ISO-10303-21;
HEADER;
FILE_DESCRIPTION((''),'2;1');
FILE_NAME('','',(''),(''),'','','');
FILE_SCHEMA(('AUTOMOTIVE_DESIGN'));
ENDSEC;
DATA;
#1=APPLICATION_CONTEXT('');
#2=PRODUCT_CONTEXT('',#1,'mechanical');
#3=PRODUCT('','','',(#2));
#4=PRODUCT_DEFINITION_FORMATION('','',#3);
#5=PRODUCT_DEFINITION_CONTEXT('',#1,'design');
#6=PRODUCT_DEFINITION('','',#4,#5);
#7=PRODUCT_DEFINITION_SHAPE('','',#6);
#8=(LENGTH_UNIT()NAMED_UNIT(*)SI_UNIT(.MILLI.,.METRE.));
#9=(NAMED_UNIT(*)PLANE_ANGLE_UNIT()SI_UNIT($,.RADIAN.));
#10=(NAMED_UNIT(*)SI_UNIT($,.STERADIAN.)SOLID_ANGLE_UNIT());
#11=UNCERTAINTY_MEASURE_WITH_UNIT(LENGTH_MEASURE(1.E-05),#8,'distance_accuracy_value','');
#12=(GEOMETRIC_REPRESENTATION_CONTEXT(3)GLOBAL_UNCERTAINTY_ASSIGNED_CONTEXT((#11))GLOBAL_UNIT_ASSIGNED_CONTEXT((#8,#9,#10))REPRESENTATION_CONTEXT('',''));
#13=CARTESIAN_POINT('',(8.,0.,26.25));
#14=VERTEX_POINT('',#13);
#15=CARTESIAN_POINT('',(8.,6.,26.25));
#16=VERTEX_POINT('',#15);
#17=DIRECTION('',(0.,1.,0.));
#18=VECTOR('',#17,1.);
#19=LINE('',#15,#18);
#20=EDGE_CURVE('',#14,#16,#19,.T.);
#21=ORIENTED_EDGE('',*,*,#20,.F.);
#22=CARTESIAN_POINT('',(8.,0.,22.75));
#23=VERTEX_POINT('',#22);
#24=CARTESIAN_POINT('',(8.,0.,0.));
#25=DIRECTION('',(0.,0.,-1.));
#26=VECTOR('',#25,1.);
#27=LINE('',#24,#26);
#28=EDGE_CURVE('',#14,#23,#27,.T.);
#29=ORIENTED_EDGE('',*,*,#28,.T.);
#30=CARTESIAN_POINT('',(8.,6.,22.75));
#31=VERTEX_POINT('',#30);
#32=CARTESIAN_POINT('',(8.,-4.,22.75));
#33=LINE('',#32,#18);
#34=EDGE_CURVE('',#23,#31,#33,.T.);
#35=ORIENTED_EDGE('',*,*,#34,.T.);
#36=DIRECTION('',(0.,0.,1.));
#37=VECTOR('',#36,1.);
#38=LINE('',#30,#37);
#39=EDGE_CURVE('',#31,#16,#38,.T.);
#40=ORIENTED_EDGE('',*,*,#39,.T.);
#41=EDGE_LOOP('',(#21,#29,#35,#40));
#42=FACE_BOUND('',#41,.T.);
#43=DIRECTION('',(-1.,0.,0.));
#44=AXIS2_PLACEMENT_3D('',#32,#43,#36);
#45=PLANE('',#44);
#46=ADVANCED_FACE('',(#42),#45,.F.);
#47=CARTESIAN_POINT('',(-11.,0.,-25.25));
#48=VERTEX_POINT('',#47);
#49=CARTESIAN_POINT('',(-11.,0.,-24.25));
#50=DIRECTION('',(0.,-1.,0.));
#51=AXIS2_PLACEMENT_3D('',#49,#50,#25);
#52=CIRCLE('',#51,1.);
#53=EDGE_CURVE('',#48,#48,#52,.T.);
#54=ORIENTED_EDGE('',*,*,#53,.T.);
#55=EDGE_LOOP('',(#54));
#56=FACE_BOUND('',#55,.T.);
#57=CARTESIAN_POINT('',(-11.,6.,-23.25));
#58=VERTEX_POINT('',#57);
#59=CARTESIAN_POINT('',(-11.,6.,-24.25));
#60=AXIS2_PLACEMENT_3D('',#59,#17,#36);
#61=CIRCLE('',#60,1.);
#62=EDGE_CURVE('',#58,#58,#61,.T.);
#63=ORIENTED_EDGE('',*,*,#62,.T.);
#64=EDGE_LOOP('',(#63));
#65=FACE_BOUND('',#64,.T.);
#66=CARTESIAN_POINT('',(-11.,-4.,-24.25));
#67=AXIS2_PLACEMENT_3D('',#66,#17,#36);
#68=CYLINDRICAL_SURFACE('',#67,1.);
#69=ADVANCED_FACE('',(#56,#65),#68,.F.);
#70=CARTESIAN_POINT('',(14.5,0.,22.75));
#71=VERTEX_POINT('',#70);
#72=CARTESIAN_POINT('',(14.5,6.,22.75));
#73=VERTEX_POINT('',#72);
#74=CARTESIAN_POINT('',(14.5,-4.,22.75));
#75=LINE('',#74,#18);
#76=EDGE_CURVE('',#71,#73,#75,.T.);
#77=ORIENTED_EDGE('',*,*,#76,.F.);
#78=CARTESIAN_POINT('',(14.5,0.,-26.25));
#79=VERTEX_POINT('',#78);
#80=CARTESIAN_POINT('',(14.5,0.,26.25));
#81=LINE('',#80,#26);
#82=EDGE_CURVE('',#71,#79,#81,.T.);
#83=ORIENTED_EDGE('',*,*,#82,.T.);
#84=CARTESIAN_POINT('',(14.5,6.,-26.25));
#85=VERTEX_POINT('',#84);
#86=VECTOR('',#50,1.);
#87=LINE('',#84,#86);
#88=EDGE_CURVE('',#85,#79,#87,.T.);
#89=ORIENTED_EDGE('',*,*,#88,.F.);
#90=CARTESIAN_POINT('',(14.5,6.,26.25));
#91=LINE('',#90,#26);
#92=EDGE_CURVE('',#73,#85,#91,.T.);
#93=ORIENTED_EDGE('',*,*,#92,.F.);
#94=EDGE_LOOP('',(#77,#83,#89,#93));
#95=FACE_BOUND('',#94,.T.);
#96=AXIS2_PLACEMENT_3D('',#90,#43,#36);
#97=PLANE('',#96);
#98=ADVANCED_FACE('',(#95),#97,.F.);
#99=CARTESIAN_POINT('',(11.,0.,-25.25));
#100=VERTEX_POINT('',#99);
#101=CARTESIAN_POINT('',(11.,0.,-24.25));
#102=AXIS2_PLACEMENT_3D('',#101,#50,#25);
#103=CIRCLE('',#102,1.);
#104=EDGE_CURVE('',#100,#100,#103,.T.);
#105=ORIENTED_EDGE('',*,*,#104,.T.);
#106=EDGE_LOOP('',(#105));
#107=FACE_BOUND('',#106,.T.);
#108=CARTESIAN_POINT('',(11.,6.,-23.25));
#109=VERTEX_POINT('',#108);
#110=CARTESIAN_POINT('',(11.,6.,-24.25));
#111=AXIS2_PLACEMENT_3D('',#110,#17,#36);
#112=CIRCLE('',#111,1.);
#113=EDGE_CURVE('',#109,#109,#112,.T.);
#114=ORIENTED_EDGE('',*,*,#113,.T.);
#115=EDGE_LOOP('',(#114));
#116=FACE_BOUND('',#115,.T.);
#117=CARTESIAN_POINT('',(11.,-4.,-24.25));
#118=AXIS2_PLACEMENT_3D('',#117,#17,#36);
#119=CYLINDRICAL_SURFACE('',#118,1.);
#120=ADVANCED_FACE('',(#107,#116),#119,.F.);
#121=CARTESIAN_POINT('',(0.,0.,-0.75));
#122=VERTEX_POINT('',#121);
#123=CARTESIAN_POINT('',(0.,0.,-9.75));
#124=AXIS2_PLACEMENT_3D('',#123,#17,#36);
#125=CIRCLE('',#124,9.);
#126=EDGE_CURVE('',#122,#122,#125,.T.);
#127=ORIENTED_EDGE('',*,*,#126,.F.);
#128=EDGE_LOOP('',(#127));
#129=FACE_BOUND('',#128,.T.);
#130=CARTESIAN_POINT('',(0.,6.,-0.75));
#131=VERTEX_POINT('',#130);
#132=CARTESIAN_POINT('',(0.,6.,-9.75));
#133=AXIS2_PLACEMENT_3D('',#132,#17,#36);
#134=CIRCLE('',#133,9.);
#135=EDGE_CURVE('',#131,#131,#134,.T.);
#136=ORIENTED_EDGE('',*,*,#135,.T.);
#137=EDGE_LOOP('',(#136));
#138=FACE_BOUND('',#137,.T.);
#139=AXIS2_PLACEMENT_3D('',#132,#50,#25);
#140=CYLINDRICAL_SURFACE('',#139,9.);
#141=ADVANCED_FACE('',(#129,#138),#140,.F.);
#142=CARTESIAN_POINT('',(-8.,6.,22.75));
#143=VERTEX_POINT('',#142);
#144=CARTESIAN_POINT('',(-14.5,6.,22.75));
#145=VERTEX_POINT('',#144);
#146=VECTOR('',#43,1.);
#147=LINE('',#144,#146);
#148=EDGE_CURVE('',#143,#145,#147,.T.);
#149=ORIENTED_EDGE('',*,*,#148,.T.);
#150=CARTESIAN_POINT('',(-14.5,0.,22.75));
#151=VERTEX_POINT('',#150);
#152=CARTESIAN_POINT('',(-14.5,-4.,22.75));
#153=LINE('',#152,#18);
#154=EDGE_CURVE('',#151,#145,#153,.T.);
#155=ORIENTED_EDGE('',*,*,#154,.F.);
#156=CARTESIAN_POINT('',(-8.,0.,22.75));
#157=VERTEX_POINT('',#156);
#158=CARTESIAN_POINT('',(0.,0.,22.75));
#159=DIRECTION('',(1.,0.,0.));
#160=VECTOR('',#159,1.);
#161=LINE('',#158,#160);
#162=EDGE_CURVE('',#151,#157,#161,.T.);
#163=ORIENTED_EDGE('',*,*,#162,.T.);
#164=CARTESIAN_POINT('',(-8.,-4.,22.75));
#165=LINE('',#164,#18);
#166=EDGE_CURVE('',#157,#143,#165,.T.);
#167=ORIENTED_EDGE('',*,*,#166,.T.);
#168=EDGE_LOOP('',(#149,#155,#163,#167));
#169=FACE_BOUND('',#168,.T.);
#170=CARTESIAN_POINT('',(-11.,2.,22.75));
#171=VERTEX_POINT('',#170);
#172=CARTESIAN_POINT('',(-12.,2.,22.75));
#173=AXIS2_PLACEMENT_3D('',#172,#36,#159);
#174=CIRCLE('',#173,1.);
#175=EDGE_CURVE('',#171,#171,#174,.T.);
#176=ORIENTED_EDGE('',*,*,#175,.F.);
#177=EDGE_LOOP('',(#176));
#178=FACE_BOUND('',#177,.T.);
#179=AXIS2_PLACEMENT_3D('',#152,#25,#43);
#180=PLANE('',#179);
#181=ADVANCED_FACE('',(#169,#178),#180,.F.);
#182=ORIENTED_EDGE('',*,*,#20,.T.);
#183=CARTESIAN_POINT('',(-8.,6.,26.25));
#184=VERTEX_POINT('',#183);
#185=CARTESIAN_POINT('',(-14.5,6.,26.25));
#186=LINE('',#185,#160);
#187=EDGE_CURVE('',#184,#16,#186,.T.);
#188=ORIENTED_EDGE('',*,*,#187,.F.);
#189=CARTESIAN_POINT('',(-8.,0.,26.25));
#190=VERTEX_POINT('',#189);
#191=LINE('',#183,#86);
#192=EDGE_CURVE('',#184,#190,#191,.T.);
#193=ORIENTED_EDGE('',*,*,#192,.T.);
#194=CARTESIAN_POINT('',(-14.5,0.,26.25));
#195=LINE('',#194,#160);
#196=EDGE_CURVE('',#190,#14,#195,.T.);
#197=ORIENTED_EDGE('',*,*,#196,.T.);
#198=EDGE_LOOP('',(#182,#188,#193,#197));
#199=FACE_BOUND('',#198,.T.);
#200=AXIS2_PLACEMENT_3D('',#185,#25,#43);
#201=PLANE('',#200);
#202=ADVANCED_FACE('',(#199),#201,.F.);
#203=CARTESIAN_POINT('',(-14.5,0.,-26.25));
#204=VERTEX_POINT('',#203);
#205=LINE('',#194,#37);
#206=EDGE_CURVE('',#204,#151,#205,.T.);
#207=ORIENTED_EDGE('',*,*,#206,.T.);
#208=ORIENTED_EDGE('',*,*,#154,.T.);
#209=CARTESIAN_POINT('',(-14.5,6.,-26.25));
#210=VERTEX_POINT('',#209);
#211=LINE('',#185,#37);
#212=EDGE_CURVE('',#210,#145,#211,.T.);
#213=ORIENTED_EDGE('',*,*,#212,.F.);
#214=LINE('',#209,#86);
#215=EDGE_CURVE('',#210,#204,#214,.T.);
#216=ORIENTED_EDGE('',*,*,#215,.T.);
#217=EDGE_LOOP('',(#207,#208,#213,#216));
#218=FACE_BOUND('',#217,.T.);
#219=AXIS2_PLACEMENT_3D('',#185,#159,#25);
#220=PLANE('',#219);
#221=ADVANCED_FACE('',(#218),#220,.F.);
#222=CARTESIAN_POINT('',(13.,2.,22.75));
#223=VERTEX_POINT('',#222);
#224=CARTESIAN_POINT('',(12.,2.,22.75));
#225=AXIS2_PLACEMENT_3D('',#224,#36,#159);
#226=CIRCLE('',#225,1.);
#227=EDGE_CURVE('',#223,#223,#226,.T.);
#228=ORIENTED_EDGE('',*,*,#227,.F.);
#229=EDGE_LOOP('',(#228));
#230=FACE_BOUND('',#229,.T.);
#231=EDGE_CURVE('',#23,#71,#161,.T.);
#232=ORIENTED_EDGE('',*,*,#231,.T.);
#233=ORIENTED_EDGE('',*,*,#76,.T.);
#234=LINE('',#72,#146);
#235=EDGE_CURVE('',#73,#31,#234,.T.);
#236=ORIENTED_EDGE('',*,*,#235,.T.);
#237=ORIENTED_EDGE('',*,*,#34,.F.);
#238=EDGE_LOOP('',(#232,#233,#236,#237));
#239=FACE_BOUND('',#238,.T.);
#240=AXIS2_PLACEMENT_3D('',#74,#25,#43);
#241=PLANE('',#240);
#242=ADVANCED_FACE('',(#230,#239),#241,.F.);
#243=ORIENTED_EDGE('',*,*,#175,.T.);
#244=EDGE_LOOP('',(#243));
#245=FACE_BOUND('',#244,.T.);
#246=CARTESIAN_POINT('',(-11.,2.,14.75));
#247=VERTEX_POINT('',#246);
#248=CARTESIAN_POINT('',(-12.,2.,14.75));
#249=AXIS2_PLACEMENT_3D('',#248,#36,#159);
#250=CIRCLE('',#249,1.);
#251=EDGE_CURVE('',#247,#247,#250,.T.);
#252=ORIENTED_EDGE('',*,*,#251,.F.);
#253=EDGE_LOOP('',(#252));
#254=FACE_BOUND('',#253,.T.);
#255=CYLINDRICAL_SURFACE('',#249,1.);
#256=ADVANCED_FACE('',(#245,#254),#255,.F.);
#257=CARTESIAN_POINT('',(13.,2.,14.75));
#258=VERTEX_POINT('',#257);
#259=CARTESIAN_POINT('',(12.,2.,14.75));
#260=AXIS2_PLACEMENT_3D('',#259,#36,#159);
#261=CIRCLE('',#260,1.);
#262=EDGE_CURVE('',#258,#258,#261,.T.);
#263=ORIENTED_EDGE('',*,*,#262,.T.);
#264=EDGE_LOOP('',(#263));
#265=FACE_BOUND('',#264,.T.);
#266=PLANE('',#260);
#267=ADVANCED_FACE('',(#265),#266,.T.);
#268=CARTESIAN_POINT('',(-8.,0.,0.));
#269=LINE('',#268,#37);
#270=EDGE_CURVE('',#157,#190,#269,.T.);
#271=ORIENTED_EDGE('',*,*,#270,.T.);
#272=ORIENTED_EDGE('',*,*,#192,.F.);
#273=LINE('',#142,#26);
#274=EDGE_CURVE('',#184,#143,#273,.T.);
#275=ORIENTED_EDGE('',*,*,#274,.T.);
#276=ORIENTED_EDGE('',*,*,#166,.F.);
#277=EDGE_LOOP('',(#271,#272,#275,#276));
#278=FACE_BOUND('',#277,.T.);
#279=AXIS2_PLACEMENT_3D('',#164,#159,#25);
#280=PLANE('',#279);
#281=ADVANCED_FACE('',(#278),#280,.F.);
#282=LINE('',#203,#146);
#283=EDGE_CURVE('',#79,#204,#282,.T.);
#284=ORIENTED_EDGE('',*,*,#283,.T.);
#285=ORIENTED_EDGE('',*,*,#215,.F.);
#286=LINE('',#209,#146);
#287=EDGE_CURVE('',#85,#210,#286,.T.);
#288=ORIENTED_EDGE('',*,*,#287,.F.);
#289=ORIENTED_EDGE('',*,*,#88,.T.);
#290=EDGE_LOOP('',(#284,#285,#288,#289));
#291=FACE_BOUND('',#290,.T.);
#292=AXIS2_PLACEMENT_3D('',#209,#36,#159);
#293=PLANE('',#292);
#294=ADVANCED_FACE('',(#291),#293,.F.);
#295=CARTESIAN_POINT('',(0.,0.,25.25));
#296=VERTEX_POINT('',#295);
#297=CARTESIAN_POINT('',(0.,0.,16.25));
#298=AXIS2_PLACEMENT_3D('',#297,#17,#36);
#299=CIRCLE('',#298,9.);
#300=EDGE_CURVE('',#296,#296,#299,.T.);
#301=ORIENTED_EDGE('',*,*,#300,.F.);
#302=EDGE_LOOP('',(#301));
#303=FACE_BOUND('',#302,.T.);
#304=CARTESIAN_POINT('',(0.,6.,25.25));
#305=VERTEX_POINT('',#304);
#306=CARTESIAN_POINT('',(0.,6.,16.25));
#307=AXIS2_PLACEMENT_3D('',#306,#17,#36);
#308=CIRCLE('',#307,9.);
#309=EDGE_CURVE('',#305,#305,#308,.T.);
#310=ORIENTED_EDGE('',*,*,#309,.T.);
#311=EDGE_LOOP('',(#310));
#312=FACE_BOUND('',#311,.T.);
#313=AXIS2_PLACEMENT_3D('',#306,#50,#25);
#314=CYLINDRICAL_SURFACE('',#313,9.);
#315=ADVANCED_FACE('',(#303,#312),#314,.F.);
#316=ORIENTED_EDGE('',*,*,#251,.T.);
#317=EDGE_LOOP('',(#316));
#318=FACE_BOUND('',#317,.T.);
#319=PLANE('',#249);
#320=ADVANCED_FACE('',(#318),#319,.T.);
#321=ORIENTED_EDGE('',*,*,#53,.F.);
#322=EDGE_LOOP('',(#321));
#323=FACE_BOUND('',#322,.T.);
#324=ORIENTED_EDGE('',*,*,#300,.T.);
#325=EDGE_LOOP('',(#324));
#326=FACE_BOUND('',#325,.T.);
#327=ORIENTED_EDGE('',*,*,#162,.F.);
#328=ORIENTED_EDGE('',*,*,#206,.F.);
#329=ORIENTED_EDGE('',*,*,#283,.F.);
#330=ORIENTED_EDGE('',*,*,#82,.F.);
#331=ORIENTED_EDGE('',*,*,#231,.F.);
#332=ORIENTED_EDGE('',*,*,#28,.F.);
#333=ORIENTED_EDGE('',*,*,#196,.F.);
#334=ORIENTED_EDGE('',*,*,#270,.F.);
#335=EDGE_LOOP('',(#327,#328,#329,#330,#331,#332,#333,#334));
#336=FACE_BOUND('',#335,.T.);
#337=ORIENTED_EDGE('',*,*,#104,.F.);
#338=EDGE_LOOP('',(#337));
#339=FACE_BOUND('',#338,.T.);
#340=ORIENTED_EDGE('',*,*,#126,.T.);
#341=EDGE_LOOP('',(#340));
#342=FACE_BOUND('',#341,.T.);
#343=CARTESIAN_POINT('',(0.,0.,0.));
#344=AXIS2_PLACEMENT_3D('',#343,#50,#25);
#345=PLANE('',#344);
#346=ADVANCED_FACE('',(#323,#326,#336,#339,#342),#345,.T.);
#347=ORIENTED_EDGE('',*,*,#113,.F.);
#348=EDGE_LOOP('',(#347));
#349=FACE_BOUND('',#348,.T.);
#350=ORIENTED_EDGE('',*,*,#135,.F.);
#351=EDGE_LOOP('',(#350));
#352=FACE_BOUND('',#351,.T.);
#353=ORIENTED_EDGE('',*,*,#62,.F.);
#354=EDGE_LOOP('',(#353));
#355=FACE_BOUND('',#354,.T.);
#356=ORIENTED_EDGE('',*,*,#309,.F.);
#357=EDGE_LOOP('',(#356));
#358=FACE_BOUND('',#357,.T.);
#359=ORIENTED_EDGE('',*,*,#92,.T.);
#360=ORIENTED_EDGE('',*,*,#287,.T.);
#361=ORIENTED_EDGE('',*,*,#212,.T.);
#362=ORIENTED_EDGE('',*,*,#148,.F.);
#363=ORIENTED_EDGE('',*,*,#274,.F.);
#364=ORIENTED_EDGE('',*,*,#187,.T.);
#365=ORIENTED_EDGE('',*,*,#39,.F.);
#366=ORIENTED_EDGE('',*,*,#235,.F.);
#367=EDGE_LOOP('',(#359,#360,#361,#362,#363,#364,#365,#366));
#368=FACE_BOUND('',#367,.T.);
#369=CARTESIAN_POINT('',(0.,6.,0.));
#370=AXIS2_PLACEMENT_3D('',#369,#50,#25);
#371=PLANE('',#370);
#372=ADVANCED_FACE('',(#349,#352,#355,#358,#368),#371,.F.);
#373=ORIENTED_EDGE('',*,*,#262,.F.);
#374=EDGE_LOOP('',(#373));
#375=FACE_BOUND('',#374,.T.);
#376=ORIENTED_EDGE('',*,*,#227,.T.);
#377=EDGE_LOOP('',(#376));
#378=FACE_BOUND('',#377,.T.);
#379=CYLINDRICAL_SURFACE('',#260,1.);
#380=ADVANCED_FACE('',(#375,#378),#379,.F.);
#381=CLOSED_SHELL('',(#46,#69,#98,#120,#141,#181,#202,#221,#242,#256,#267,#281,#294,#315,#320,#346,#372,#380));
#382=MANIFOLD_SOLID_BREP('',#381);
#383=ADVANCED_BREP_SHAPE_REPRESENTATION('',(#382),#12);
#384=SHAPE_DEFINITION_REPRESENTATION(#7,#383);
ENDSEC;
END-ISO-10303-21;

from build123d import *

# Parameters (mm, degrees)
SKETCH_1_W          = 29
SKETCH_1_H          = 52.5
SKETCH_1_R          = 9
EXTRUDE_1_DEPTH     = 6
SKETCH_2_W          = 6.5
SKETCH_2_H          = 3.5
CUT_EXTRUDE_1_DEPTH = 10
SKETCH_3_R          = 1
CUT_EXTRUDE_4_DEPTH = 8
SKETCH_4_R          = 1
CUT_EXTRUDE_5_DEPTH = 10


with BuildPart() as part:
    # 草图1 → 凸台-拉伸1 (new body)
    with BuildSketch(Plane(origin=(0, 0, 0), x_dir=(1, 0, 0), z_dir=(0, 1, 0))):
        Rectangle(SKETCH_1_W, SKETCH_1_H)
        with Locations(Location((0, -16.25, 0), (0, 0, 270))):
            Circle(SKETCH_1_R, mode=Mode.SUBTRACT)
        with Locations(Location((0, 9.75, 0), (0, 0, 270))):
            Circle(SKETCH_1_R, mode=Mode.SUBTRACT)
    extrude(amount=EXTRUDE_1_DEPTH)

    # 草图2 → 切除-拉伸1 (cut)
    with BuildSketch(Plane(origin=(0, 6, 0), x_dir=(1, 0, 0), z_dir=(0, 1, 0))):
        with Locations((-11.25, -24.5)):
            Rectangle(SKETCH_2_W, SKETCH_2_H)
        with Locations((11.25, -24.5)):
            Rectangle(SKETCH_2_W, SKETCH_2_H)
    extrude(amount=-CUT_EXTRUDE_1_DEPTH, mode=Mode.SUBTRACT)

    # 草图3 → 切除-拉伸4 (cut)
    with BuildSketch(Plane.XY.offset(22.75)):
        with Locations((-12, 2)):
            Circle(SKETCH_3_R)
        with Locations((12, 2)):
            Circle(SKETCH_3_R)
    extrude(amount=-CUT_EXTRUDE_4_DEPTH, mode=Mode.SUBTRACT)

    # 草图4 → 切除-拉伸5 (cut)
    with BuildSketch(Plane(origin=(0, 6, 0), x_dir=(1, 0, 0), z_dir=(0, 1, 0))):
        with Locations(Location((-11, 24.25, 0), (0, 0, 270))):
            Circle(SKETCH_4_R)
        with Locations(Location((11, 24.25, 0), (0, 0, 270))):
            Circle(SKETCH_4_R)
    extrude(amount=-CUT_EXTRUDE_5_DEPTH, mode=Mode.SUBTRACT)


solid = part.part
